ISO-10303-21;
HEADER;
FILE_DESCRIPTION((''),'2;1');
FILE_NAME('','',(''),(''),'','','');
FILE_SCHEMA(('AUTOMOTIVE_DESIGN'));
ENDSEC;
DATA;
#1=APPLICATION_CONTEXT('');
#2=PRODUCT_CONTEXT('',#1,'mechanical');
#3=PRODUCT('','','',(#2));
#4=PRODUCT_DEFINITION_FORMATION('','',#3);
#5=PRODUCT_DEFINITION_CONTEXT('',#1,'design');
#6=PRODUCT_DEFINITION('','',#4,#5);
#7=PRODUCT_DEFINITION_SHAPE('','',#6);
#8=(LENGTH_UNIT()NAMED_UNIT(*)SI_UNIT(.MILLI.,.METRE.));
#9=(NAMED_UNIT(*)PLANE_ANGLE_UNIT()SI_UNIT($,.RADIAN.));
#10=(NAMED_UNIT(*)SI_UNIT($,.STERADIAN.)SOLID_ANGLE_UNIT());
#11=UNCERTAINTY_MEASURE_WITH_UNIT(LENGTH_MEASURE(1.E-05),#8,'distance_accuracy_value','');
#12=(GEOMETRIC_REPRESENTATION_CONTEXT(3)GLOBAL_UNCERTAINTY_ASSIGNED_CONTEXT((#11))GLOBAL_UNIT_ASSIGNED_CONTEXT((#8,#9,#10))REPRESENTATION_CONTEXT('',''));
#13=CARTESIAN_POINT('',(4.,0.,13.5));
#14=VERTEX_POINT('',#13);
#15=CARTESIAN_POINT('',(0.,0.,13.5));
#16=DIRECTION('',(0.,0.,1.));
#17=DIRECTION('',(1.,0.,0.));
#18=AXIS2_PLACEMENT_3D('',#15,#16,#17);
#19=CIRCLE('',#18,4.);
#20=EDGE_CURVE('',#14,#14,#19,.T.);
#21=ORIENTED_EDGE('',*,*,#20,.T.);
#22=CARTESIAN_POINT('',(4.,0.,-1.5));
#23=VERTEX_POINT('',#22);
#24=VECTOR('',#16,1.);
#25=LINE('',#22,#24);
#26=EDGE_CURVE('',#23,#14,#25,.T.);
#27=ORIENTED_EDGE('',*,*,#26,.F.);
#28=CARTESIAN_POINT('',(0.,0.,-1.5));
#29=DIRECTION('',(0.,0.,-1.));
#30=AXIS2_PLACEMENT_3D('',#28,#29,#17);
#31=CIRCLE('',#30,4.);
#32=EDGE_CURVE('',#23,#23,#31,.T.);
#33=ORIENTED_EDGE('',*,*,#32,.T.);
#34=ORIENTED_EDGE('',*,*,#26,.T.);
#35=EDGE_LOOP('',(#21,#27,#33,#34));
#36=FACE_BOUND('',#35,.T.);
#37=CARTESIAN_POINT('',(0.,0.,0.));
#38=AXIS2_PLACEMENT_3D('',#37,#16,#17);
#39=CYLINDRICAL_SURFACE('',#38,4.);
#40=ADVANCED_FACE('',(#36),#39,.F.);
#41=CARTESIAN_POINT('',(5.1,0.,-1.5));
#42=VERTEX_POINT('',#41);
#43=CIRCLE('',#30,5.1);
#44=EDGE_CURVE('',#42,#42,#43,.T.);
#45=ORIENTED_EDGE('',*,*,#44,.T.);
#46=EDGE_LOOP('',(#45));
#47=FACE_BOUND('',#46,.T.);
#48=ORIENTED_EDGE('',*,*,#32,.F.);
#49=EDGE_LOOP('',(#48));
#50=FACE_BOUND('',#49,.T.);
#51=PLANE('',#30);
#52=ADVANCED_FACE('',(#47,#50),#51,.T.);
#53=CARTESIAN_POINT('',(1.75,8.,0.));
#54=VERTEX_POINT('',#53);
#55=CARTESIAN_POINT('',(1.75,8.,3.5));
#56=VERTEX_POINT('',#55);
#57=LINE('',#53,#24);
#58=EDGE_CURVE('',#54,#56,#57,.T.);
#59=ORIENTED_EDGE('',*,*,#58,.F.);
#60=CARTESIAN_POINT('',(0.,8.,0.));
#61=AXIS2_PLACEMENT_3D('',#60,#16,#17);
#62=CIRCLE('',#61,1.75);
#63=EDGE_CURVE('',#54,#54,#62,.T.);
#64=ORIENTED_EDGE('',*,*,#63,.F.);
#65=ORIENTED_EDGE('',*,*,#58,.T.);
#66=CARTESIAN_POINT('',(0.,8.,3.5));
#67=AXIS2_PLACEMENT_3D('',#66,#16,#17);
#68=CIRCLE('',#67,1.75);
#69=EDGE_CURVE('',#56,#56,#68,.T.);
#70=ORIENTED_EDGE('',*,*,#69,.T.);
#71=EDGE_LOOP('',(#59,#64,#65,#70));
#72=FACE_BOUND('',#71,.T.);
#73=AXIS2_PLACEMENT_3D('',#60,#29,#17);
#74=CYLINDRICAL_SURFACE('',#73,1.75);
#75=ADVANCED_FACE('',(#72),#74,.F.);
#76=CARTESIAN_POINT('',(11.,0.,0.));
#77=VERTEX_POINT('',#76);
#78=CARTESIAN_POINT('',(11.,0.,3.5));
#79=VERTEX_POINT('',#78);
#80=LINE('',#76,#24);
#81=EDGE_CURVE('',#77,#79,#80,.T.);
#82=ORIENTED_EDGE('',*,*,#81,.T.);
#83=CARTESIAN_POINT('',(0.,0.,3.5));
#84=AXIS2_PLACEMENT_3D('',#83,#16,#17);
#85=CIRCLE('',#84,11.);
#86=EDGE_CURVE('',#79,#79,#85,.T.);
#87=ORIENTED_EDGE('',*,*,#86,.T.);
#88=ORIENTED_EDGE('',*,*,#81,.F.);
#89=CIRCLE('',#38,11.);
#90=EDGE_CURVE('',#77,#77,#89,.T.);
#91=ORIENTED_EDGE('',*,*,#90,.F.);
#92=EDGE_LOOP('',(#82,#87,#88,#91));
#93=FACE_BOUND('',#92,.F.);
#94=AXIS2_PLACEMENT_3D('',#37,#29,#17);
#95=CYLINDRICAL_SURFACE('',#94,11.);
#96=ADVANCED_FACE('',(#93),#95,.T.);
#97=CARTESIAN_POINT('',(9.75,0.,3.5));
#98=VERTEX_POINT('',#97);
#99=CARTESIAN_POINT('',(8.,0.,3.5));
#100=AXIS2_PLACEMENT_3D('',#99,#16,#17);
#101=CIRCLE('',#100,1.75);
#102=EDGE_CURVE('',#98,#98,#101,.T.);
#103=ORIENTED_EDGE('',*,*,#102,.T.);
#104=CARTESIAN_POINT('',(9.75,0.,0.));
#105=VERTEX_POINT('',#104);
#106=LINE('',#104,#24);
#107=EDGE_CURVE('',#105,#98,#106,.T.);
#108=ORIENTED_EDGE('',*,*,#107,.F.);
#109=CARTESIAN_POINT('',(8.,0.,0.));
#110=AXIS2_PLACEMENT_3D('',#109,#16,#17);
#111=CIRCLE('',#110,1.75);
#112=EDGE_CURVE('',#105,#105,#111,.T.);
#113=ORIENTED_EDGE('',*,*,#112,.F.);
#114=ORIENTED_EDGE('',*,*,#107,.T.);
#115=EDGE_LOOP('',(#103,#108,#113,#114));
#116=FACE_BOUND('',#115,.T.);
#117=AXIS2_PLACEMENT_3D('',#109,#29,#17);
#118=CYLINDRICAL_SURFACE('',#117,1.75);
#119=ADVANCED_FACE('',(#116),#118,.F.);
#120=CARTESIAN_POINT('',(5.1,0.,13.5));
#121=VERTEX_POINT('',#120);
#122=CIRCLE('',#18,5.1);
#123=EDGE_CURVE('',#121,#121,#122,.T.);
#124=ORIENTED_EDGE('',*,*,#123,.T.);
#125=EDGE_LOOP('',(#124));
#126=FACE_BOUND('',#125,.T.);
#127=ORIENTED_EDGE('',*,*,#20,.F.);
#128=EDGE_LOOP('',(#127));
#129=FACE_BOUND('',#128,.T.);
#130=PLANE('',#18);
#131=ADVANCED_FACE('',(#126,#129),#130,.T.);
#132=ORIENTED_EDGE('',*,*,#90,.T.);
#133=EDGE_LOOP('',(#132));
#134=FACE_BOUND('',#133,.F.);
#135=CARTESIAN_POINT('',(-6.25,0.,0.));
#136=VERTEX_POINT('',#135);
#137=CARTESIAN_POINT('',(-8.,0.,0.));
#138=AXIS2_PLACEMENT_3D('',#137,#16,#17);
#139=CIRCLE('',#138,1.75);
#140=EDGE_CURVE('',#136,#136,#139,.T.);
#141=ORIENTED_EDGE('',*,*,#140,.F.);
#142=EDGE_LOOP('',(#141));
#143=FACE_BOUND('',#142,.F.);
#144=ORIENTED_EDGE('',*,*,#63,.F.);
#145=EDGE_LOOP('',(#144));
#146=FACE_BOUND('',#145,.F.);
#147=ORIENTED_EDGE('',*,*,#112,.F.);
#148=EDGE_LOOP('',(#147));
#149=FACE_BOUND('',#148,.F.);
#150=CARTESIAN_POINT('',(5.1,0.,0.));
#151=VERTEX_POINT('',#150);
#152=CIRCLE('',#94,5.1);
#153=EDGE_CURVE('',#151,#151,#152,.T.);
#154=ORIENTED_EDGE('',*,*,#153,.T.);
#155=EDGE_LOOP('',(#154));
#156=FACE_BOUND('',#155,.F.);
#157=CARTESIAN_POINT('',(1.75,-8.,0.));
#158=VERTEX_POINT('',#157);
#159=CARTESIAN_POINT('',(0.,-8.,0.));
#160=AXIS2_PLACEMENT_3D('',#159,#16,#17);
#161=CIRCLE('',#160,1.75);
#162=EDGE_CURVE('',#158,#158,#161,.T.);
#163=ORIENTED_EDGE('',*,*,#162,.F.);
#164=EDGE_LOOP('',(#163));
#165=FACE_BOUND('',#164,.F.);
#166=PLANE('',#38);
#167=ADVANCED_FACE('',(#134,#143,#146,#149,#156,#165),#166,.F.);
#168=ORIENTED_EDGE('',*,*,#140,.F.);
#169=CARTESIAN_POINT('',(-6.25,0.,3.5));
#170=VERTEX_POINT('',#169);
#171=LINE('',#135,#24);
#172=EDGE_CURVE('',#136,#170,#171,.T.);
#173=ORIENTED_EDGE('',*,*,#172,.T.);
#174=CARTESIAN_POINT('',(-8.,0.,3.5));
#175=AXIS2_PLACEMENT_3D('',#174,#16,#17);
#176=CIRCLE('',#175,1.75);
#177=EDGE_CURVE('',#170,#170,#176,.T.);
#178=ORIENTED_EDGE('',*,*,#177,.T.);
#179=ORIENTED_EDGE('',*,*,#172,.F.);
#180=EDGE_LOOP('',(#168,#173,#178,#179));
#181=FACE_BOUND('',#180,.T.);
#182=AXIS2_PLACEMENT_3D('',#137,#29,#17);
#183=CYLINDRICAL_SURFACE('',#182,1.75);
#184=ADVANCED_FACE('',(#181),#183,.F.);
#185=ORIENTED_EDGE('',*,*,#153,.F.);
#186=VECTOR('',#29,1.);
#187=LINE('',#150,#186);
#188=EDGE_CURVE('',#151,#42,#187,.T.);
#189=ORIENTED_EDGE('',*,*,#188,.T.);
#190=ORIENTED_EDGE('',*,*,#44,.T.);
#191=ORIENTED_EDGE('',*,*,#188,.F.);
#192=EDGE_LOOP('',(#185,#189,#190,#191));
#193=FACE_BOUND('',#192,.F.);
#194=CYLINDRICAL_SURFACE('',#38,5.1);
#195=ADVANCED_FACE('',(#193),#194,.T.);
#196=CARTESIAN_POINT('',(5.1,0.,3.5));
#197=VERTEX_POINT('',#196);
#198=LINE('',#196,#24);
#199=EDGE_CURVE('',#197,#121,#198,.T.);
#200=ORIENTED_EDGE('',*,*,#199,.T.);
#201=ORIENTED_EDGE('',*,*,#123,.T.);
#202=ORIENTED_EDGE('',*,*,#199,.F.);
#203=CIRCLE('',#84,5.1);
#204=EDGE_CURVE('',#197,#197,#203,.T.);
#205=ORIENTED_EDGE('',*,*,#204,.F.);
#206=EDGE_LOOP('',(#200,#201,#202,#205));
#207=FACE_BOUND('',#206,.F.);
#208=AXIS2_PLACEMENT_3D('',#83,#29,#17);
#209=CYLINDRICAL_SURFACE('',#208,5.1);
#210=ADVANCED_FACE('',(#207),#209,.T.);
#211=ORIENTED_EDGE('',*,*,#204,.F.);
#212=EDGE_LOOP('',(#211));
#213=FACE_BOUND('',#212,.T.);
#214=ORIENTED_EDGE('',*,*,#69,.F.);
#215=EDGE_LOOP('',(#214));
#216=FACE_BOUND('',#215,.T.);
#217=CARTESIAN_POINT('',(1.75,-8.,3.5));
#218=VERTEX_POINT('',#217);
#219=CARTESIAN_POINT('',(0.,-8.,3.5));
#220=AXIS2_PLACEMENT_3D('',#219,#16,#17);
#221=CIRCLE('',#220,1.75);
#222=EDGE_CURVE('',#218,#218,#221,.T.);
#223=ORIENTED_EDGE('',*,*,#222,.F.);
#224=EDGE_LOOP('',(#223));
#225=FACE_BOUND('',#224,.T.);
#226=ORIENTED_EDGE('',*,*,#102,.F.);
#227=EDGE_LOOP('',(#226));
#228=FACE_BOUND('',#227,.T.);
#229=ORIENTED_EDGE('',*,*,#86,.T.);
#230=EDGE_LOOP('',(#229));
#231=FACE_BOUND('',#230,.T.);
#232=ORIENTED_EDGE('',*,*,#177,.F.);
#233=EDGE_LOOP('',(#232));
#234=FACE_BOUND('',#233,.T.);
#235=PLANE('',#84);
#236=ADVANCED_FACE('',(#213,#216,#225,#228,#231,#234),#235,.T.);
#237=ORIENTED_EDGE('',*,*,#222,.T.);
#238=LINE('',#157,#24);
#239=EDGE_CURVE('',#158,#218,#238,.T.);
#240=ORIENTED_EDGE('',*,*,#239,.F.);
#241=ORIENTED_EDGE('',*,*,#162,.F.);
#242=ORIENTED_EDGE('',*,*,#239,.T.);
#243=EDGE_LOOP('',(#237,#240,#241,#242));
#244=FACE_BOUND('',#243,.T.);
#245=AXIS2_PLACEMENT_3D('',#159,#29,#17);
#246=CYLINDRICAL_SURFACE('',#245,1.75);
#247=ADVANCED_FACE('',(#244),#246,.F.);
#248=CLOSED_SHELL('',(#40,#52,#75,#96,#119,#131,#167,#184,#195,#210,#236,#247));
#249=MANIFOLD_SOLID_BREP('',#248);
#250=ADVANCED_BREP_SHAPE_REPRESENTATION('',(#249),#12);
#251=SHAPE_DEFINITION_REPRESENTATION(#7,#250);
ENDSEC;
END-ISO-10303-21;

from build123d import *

# Parameters (mm, degrees)
F0_R     = 11
F0_R_2   = 1.75
F0_R_3   = 4
F1_DEPTH = 3.5
F2_R     = 5.1
F2_R_2   = 4
F3_DEPTH = 10
F4_R     = 5.1
F4_R_2   = 4
F5_DEPTH = 1.5


with BuildPart() as f1:
    # F0 (on Top) → F1 (new body)
    with BuildSketch(Plane.XY):
        Circle(F0_R)
        with Locations((0, -8)):
            Circle(F0_R_2, mode=Mode.SUBTRACT)
        with Locations((-8, 0)):
            Circle(F0_R_2, mode=Mode.SUBTRACT)
        Circle(F0_R_3, mode=Mode.SUBTRACT)
        with Locations((8, 0)):
            Circle(F0_R_2, mode=Mode.SUBTRACT)
        with Locations((0, 8)):
            Circle(F0_R_2, mode=Mode.SUBTRACT)
    extrude(amount=F1_DEPTH)

    # F2 (on face) → F3 (join)
    with BuildSketch(Plane.XY.offset(3.5)):
        Circle(F2_R)
        Circle(F2_R_2, mode=Mode.SUBTRACT)
    extrude(amount=F3_DEPTH)

    # F4 (on face) → F5 (join)
    with BuildSketch(Plane(origin=(0, 0, 0), x_dir=(1, 0, 0), z_dir=(0, 0, -1))):
        Circle(F4_R)
        Circle(F4_R_2, mode=Mode.SUBTRACT)
    extrude(amount=F5_DEPTH)


solid = f1.part
